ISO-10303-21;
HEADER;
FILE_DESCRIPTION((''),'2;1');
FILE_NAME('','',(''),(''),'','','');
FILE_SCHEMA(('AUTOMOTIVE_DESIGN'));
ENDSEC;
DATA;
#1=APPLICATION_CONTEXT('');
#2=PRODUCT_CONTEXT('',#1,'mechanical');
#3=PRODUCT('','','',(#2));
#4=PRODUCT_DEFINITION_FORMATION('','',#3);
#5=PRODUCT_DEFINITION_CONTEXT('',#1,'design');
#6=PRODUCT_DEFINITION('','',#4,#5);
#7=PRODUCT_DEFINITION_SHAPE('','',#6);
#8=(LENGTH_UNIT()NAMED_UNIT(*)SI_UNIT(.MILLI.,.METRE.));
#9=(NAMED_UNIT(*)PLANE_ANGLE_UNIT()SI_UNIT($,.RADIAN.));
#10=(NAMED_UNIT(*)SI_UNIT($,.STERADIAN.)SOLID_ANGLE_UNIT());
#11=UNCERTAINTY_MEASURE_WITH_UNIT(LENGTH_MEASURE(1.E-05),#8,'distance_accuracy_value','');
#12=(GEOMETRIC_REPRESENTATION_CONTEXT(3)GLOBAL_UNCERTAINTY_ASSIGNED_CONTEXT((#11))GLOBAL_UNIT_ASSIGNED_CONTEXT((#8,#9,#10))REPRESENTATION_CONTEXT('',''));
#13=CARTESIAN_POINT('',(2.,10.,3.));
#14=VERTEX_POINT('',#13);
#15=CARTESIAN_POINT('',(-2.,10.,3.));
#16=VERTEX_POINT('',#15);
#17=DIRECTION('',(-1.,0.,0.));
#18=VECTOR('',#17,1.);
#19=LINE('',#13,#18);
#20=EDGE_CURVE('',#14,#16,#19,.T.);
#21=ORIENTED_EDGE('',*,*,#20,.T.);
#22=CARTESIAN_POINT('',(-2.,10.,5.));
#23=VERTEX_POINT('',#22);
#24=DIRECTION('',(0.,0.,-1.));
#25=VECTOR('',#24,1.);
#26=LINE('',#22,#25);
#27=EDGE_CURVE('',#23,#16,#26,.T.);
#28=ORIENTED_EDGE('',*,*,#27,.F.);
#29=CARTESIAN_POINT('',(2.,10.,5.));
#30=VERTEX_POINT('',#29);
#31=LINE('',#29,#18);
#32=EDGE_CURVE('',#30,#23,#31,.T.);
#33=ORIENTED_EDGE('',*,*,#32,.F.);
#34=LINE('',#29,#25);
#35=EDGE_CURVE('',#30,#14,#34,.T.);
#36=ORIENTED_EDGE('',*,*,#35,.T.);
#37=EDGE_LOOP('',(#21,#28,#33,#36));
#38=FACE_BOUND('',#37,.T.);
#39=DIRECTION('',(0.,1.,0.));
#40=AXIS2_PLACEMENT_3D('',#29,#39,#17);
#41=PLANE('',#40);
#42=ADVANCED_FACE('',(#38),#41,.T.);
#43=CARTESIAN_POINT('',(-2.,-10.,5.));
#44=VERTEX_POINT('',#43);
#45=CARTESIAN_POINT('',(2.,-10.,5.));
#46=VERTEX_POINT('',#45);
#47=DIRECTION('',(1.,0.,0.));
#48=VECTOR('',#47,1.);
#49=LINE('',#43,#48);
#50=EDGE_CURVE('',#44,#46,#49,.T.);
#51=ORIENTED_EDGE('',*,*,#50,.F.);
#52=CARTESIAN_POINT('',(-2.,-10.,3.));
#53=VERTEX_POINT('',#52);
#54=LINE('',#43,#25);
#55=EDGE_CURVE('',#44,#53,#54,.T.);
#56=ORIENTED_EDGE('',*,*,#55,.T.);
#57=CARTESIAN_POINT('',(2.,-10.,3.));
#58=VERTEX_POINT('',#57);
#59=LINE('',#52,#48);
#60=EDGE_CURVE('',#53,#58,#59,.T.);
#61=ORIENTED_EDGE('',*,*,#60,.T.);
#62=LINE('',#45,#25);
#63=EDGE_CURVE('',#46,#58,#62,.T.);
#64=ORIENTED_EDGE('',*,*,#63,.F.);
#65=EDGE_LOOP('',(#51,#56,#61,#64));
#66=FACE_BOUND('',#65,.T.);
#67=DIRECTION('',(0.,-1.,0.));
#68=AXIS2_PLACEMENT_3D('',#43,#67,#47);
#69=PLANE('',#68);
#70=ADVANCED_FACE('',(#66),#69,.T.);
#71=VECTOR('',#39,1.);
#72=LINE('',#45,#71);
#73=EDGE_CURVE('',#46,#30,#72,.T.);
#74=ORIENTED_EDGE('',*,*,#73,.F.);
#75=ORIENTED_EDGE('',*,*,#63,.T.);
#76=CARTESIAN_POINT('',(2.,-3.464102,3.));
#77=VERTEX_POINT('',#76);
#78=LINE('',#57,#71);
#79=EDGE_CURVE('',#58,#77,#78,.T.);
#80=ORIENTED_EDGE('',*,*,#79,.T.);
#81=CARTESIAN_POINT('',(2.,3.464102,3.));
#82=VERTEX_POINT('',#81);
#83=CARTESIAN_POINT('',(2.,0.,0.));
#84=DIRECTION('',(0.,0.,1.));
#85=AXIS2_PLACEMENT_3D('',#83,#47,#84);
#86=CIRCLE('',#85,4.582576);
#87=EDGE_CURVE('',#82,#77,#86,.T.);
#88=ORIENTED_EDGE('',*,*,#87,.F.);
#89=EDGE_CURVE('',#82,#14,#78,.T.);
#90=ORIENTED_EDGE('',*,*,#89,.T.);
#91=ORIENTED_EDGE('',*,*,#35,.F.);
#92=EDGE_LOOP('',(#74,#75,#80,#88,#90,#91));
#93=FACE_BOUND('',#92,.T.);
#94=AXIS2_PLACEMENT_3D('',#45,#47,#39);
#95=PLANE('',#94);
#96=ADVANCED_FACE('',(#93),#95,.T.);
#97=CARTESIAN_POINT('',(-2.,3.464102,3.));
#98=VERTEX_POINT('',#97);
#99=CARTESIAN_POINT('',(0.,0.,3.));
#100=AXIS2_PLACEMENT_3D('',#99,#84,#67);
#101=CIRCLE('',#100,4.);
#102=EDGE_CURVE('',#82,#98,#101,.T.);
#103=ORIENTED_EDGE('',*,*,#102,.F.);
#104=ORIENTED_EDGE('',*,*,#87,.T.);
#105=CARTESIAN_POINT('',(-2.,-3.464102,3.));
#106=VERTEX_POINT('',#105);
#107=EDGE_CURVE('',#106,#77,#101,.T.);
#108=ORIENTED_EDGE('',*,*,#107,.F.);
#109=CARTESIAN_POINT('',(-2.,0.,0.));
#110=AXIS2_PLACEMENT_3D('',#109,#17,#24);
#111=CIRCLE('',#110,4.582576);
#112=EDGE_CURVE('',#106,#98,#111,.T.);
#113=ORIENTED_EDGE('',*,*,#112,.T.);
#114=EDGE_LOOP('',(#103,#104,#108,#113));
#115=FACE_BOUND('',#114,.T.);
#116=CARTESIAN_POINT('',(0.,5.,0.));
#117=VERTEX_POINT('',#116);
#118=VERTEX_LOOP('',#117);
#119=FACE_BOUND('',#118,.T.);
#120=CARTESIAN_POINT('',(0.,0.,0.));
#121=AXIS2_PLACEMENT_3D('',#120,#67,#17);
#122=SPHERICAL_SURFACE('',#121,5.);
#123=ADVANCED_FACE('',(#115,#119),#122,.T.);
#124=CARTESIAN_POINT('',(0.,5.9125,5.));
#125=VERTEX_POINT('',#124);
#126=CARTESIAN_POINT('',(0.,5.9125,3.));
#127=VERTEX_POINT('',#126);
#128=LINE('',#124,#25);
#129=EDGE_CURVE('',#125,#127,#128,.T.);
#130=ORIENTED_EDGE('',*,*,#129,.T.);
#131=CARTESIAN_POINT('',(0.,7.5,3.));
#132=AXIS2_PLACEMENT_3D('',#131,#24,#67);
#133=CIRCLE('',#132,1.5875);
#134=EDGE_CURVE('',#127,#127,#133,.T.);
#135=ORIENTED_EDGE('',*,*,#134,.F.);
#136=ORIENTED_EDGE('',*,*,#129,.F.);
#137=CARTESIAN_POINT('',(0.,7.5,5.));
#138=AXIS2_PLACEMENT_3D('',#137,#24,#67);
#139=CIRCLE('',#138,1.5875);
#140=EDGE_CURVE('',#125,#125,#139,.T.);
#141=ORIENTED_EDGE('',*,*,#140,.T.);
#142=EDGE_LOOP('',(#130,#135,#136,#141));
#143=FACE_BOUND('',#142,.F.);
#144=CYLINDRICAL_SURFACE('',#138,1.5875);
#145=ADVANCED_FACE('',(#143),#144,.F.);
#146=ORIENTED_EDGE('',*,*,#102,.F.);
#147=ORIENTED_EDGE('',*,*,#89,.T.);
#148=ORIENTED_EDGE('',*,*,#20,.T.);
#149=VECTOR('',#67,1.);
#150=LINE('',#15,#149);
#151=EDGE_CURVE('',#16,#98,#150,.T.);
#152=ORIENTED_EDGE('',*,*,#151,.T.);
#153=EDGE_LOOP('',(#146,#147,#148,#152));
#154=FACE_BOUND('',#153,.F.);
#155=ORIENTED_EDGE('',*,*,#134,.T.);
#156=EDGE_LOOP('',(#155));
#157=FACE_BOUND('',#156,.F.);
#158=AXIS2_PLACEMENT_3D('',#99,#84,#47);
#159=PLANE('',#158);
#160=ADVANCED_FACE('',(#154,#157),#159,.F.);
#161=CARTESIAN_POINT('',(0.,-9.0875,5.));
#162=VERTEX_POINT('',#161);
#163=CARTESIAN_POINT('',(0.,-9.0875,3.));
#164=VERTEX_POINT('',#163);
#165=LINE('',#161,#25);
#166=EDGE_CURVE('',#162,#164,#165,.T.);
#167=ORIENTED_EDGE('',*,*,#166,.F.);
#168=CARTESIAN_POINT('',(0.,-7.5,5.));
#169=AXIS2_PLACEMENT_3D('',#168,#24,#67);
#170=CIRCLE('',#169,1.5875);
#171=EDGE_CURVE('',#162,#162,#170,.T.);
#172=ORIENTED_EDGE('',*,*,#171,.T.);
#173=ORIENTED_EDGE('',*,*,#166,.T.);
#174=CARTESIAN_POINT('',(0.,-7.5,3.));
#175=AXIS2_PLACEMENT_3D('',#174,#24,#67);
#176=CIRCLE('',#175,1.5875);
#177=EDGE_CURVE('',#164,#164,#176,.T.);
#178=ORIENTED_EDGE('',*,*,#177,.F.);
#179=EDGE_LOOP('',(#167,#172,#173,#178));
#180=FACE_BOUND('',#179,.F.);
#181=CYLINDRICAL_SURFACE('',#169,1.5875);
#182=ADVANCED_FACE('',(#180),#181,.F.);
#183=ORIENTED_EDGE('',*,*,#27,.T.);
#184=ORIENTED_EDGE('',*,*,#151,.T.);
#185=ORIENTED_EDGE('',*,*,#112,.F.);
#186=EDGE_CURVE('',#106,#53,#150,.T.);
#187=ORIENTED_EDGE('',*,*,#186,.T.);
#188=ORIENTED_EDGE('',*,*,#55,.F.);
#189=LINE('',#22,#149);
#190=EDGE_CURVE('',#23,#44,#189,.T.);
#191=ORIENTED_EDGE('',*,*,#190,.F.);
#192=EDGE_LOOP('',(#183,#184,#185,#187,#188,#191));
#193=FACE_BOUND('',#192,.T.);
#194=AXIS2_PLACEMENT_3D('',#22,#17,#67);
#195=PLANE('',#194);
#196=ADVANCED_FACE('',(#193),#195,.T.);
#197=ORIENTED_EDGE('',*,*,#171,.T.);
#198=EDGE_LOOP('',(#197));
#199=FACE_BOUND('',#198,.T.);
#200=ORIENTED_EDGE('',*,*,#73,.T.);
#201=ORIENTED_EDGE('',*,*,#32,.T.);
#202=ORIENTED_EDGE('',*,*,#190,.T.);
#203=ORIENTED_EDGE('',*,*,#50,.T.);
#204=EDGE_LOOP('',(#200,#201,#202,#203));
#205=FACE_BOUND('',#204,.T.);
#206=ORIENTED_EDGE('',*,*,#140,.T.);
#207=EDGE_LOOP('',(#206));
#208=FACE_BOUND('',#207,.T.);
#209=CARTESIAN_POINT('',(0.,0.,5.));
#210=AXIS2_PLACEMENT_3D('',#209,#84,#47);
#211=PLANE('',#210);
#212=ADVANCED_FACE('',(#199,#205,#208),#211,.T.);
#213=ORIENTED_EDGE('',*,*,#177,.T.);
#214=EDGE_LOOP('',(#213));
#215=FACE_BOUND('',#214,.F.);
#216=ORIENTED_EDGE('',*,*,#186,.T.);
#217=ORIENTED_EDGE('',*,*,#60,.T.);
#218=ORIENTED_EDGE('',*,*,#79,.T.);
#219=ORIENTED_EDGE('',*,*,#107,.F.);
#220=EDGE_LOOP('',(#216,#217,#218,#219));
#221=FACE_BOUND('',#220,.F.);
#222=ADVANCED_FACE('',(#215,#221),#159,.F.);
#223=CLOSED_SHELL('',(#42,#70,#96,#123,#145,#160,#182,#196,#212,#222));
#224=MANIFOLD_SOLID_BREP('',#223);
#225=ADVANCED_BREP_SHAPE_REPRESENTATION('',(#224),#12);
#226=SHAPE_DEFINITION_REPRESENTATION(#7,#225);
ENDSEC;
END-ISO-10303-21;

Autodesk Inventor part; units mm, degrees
ref_plane "YZ Plane" through (0, 0, 0) normal (1, 0, 0) x (0, 1, 0)
ref_plane "XZ Plane" through (0, 0, 0) normal (0, 1, 0) x (-1, 0, 0)
sketch "Boceto1" plane through (0, 0, 0) normal (0, 0, 1) x (1, 0, 0)
  arc A0 (0, 5) -> (0, -5) centre (0, 0) ccw
  line L0 (0, 5) -> (0, -5)
revolve "Revolución1" add sketch "Boceto1" angle 360 about axis through (0, 5, 0) along (0, -1, 0)
ref_plane "Plano de trabajo1" through (0, 0, 5) normal (0, 0, 1) x (1, 0, 0)
sketch "Boceto2" plane through (0, 0, 5) normal (0, 0, 1) x (1, 0, 0)
  line L0 (-2, -10) -> (2, -10)
  line L1 (2, -10) -> (2, 10)
  line L2 (2, 10) -> (-2, 10)
  line L3 (-2, 10) -> (-2, -10)
  line L4 (-2, -10) -> (2, 10) construction
  line L5 (2, -10) -> (-2, 10) construction
  point P0 (0, 0)
  dimension "d3" = 4
  dimension "d4" = 20
extrude "Extrusión1" add sketch "Boceto2" against normal blind 2
sketch "Boceto3" plane through (0, 0, 5) normal (0, 0, 1) x (1, 0, 0)
  point P0 (0, 0)
  point P1 (0, 7.5)
  point P2 (0, -7.5)
hole "Agujero1" at (0, 7.5, 5) at (0, -7.5, 5) direction (0, 0, -1) diameter 3.175 end through all
sketch "Sketch4" plane through (0, 0, 5) normal (0, 0, 1) x (1, 0, 0)
  line L0 (2, 10) -> (-2, 10) projected
  line L1 (-2, -10) -> (2, -10) projected
  line L2 (-2, 10) -> (2, 10)
  line L3 (2, 10) -> (2, -10)
  line L4 (2, -10) -> (-2, -10)
  line L5 (-2, -10) -> (-2, 10)
  circle A0 centre (0, 7.5) radius 1.5875 projected
  circle A1 centre (0, 7.5) radius 1.5875
  circle A2 centre (0, -7.5) radius 1.5875 projected
  circle A3 centre (0, -7.5) radius 1.5875
  point P0 (0, 0)
properties part number "Rueda trasera"
